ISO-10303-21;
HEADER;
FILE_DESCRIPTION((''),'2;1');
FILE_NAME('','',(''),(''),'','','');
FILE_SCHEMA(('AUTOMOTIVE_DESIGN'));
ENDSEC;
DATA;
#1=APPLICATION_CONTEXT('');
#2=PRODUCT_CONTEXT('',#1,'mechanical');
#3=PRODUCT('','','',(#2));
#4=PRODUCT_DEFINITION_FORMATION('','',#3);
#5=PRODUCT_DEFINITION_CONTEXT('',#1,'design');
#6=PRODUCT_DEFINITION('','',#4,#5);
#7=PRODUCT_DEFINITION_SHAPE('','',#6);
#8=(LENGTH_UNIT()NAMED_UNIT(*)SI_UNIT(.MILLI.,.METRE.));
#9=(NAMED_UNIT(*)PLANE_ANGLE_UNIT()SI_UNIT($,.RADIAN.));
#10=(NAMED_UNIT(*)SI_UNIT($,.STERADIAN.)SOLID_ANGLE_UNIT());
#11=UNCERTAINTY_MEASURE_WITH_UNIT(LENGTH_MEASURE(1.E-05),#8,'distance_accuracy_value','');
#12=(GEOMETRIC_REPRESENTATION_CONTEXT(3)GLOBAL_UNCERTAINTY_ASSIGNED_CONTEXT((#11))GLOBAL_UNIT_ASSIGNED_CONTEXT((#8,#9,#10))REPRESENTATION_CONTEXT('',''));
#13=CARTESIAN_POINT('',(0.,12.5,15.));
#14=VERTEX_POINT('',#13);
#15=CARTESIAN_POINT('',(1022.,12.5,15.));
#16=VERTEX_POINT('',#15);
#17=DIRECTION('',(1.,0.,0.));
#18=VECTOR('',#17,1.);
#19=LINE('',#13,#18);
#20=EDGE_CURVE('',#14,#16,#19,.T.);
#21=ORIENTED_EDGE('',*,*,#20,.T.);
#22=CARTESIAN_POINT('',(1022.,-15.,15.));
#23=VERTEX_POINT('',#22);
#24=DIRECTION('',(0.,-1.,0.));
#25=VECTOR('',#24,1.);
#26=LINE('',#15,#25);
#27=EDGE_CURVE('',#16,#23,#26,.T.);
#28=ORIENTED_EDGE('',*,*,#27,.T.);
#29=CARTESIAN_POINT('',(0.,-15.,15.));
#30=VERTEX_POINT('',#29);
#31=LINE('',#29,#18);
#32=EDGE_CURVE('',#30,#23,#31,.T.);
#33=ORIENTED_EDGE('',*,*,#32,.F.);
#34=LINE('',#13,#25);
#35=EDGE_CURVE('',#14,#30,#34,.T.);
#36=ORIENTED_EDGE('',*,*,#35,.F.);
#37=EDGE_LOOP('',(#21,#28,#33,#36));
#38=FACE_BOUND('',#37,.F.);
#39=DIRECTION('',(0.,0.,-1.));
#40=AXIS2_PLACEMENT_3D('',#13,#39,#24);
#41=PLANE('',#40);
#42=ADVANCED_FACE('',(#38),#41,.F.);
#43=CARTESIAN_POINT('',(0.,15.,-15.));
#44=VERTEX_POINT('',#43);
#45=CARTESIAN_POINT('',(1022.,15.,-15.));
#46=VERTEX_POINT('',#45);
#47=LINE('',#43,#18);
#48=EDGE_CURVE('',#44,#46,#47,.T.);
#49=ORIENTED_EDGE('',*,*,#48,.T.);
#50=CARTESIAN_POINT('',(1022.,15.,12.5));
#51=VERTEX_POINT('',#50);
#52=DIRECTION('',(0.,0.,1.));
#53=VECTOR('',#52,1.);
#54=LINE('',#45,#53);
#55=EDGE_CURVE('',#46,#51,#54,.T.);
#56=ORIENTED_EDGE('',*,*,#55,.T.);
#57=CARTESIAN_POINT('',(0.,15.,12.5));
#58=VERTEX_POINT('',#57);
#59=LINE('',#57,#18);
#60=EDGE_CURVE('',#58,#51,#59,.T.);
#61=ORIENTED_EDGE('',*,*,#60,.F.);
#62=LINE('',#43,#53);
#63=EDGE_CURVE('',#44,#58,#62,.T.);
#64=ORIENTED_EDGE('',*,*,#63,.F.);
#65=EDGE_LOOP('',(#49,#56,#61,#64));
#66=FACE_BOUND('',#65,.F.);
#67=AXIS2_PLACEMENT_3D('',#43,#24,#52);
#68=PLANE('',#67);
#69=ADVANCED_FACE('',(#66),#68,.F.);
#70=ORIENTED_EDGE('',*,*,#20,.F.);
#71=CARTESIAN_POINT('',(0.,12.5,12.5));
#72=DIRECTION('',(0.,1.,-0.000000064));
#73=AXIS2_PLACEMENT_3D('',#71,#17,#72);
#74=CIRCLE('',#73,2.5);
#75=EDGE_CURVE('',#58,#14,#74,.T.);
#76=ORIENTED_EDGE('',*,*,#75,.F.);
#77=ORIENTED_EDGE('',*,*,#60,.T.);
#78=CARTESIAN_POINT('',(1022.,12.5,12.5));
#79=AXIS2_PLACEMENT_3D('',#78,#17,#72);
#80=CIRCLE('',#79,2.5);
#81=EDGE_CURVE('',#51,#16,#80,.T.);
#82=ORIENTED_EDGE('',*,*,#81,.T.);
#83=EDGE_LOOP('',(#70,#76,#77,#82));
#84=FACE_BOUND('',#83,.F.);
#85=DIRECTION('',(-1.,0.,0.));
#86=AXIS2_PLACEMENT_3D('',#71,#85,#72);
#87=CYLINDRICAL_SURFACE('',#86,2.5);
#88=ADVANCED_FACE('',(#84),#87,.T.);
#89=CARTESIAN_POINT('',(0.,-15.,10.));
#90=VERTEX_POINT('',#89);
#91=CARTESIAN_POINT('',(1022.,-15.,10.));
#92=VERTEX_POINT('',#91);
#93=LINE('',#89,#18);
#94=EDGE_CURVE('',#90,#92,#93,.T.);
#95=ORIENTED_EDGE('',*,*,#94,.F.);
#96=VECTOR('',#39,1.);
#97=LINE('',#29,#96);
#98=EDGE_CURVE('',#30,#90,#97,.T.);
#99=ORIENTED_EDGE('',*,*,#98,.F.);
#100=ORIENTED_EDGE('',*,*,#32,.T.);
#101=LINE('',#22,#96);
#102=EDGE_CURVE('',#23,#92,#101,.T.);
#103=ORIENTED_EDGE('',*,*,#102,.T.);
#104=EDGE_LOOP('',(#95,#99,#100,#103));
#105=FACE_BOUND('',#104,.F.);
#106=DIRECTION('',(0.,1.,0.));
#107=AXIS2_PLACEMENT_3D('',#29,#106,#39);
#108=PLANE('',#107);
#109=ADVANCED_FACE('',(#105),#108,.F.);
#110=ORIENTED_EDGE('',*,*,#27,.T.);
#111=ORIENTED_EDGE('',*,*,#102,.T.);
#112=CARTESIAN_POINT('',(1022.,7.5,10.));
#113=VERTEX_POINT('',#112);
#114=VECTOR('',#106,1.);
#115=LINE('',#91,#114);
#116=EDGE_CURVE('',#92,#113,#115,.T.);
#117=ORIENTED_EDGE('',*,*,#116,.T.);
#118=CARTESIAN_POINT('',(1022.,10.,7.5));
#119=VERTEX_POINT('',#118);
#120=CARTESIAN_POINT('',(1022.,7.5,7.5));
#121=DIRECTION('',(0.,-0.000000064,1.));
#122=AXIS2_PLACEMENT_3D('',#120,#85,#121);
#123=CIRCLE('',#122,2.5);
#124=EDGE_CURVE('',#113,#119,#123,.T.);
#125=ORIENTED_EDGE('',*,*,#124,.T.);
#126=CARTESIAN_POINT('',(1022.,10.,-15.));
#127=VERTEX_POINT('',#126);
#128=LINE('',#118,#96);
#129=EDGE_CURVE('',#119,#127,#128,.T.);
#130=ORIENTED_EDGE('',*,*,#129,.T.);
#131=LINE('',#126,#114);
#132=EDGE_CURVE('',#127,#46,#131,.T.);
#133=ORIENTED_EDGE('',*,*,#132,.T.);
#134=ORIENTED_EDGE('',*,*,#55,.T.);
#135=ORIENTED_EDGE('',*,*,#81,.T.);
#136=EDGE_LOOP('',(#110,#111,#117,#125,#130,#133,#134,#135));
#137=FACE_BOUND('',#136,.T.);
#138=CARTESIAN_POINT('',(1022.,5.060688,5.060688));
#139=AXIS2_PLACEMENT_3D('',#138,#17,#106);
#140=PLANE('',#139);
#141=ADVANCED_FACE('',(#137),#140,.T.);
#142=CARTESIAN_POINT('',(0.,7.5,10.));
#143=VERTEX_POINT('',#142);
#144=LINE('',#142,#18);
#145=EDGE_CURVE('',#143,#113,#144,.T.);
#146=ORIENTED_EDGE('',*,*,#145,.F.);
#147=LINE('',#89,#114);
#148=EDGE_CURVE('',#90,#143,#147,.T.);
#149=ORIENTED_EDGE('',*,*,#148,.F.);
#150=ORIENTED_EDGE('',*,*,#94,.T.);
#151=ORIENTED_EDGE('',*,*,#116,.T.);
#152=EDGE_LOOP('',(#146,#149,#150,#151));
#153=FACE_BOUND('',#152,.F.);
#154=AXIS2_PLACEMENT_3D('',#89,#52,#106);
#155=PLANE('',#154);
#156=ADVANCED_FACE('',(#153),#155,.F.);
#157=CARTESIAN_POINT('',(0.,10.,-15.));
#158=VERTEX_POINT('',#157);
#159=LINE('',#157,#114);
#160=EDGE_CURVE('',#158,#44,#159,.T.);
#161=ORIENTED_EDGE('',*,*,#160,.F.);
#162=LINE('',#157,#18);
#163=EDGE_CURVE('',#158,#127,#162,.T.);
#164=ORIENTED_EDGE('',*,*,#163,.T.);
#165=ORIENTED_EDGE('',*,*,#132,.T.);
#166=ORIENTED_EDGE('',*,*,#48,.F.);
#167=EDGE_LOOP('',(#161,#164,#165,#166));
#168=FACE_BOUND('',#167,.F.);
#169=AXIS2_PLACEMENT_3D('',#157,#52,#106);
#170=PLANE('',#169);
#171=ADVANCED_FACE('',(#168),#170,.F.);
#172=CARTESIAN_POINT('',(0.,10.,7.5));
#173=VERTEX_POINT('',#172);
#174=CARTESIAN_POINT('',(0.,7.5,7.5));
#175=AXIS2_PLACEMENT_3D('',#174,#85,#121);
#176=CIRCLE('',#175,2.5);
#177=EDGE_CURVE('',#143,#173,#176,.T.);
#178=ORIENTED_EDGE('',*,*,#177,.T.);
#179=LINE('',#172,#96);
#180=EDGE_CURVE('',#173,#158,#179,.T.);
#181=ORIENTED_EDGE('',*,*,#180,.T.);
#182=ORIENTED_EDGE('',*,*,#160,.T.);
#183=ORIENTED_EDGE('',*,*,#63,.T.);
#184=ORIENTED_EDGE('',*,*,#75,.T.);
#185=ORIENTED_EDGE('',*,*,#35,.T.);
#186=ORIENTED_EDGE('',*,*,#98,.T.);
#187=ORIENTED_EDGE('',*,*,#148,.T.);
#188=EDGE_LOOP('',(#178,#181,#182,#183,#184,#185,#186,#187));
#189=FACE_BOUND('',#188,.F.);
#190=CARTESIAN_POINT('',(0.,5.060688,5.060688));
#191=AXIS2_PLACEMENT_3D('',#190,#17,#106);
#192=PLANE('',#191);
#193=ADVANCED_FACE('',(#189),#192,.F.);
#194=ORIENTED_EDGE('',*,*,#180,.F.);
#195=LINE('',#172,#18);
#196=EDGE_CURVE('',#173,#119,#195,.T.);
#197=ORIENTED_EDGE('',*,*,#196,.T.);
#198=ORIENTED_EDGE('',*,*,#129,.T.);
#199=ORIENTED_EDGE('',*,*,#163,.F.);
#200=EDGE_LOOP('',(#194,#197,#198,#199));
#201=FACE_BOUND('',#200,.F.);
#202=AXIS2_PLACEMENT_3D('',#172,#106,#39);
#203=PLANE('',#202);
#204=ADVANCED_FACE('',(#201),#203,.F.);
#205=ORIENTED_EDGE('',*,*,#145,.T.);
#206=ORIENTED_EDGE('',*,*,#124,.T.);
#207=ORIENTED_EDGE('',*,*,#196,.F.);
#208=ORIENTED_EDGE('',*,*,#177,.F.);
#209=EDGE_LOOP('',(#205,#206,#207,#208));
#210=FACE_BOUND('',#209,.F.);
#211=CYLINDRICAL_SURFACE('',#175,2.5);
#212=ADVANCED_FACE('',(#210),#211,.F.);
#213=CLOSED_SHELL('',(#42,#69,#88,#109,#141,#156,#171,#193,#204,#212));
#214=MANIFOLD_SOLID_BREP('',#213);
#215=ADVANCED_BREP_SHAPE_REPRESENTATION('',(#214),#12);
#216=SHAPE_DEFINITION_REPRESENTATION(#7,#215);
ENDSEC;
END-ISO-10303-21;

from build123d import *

# Parameters (mm, degrees)
F1_DEPTH = 1022


with BuildPart() as f1:
    # F0 (on Right) → F1 (new body)
    with BuildSketch(Plane.YZ):
        with BuildLine():
            ThreePointArc((15, 12.5), (14.267767, 14.267767), (12.5, 15))
            Line((12.5, 15), (-15, 15))
            Line((-15, 15), (-15, 10))
            Line((-15, 10), (7.5, 10))
            ThreePointArc((7.5, 10), (9.267767, 9.267767), (10, 7.5))
            Line((10, 7.5), (10, -15))
            Line((10, -15), (15, -15))
            Line((15, -15), (15, 12.5))
        make_face()
    extrude(amount=F1_DEPTH)


solid = f1.part
